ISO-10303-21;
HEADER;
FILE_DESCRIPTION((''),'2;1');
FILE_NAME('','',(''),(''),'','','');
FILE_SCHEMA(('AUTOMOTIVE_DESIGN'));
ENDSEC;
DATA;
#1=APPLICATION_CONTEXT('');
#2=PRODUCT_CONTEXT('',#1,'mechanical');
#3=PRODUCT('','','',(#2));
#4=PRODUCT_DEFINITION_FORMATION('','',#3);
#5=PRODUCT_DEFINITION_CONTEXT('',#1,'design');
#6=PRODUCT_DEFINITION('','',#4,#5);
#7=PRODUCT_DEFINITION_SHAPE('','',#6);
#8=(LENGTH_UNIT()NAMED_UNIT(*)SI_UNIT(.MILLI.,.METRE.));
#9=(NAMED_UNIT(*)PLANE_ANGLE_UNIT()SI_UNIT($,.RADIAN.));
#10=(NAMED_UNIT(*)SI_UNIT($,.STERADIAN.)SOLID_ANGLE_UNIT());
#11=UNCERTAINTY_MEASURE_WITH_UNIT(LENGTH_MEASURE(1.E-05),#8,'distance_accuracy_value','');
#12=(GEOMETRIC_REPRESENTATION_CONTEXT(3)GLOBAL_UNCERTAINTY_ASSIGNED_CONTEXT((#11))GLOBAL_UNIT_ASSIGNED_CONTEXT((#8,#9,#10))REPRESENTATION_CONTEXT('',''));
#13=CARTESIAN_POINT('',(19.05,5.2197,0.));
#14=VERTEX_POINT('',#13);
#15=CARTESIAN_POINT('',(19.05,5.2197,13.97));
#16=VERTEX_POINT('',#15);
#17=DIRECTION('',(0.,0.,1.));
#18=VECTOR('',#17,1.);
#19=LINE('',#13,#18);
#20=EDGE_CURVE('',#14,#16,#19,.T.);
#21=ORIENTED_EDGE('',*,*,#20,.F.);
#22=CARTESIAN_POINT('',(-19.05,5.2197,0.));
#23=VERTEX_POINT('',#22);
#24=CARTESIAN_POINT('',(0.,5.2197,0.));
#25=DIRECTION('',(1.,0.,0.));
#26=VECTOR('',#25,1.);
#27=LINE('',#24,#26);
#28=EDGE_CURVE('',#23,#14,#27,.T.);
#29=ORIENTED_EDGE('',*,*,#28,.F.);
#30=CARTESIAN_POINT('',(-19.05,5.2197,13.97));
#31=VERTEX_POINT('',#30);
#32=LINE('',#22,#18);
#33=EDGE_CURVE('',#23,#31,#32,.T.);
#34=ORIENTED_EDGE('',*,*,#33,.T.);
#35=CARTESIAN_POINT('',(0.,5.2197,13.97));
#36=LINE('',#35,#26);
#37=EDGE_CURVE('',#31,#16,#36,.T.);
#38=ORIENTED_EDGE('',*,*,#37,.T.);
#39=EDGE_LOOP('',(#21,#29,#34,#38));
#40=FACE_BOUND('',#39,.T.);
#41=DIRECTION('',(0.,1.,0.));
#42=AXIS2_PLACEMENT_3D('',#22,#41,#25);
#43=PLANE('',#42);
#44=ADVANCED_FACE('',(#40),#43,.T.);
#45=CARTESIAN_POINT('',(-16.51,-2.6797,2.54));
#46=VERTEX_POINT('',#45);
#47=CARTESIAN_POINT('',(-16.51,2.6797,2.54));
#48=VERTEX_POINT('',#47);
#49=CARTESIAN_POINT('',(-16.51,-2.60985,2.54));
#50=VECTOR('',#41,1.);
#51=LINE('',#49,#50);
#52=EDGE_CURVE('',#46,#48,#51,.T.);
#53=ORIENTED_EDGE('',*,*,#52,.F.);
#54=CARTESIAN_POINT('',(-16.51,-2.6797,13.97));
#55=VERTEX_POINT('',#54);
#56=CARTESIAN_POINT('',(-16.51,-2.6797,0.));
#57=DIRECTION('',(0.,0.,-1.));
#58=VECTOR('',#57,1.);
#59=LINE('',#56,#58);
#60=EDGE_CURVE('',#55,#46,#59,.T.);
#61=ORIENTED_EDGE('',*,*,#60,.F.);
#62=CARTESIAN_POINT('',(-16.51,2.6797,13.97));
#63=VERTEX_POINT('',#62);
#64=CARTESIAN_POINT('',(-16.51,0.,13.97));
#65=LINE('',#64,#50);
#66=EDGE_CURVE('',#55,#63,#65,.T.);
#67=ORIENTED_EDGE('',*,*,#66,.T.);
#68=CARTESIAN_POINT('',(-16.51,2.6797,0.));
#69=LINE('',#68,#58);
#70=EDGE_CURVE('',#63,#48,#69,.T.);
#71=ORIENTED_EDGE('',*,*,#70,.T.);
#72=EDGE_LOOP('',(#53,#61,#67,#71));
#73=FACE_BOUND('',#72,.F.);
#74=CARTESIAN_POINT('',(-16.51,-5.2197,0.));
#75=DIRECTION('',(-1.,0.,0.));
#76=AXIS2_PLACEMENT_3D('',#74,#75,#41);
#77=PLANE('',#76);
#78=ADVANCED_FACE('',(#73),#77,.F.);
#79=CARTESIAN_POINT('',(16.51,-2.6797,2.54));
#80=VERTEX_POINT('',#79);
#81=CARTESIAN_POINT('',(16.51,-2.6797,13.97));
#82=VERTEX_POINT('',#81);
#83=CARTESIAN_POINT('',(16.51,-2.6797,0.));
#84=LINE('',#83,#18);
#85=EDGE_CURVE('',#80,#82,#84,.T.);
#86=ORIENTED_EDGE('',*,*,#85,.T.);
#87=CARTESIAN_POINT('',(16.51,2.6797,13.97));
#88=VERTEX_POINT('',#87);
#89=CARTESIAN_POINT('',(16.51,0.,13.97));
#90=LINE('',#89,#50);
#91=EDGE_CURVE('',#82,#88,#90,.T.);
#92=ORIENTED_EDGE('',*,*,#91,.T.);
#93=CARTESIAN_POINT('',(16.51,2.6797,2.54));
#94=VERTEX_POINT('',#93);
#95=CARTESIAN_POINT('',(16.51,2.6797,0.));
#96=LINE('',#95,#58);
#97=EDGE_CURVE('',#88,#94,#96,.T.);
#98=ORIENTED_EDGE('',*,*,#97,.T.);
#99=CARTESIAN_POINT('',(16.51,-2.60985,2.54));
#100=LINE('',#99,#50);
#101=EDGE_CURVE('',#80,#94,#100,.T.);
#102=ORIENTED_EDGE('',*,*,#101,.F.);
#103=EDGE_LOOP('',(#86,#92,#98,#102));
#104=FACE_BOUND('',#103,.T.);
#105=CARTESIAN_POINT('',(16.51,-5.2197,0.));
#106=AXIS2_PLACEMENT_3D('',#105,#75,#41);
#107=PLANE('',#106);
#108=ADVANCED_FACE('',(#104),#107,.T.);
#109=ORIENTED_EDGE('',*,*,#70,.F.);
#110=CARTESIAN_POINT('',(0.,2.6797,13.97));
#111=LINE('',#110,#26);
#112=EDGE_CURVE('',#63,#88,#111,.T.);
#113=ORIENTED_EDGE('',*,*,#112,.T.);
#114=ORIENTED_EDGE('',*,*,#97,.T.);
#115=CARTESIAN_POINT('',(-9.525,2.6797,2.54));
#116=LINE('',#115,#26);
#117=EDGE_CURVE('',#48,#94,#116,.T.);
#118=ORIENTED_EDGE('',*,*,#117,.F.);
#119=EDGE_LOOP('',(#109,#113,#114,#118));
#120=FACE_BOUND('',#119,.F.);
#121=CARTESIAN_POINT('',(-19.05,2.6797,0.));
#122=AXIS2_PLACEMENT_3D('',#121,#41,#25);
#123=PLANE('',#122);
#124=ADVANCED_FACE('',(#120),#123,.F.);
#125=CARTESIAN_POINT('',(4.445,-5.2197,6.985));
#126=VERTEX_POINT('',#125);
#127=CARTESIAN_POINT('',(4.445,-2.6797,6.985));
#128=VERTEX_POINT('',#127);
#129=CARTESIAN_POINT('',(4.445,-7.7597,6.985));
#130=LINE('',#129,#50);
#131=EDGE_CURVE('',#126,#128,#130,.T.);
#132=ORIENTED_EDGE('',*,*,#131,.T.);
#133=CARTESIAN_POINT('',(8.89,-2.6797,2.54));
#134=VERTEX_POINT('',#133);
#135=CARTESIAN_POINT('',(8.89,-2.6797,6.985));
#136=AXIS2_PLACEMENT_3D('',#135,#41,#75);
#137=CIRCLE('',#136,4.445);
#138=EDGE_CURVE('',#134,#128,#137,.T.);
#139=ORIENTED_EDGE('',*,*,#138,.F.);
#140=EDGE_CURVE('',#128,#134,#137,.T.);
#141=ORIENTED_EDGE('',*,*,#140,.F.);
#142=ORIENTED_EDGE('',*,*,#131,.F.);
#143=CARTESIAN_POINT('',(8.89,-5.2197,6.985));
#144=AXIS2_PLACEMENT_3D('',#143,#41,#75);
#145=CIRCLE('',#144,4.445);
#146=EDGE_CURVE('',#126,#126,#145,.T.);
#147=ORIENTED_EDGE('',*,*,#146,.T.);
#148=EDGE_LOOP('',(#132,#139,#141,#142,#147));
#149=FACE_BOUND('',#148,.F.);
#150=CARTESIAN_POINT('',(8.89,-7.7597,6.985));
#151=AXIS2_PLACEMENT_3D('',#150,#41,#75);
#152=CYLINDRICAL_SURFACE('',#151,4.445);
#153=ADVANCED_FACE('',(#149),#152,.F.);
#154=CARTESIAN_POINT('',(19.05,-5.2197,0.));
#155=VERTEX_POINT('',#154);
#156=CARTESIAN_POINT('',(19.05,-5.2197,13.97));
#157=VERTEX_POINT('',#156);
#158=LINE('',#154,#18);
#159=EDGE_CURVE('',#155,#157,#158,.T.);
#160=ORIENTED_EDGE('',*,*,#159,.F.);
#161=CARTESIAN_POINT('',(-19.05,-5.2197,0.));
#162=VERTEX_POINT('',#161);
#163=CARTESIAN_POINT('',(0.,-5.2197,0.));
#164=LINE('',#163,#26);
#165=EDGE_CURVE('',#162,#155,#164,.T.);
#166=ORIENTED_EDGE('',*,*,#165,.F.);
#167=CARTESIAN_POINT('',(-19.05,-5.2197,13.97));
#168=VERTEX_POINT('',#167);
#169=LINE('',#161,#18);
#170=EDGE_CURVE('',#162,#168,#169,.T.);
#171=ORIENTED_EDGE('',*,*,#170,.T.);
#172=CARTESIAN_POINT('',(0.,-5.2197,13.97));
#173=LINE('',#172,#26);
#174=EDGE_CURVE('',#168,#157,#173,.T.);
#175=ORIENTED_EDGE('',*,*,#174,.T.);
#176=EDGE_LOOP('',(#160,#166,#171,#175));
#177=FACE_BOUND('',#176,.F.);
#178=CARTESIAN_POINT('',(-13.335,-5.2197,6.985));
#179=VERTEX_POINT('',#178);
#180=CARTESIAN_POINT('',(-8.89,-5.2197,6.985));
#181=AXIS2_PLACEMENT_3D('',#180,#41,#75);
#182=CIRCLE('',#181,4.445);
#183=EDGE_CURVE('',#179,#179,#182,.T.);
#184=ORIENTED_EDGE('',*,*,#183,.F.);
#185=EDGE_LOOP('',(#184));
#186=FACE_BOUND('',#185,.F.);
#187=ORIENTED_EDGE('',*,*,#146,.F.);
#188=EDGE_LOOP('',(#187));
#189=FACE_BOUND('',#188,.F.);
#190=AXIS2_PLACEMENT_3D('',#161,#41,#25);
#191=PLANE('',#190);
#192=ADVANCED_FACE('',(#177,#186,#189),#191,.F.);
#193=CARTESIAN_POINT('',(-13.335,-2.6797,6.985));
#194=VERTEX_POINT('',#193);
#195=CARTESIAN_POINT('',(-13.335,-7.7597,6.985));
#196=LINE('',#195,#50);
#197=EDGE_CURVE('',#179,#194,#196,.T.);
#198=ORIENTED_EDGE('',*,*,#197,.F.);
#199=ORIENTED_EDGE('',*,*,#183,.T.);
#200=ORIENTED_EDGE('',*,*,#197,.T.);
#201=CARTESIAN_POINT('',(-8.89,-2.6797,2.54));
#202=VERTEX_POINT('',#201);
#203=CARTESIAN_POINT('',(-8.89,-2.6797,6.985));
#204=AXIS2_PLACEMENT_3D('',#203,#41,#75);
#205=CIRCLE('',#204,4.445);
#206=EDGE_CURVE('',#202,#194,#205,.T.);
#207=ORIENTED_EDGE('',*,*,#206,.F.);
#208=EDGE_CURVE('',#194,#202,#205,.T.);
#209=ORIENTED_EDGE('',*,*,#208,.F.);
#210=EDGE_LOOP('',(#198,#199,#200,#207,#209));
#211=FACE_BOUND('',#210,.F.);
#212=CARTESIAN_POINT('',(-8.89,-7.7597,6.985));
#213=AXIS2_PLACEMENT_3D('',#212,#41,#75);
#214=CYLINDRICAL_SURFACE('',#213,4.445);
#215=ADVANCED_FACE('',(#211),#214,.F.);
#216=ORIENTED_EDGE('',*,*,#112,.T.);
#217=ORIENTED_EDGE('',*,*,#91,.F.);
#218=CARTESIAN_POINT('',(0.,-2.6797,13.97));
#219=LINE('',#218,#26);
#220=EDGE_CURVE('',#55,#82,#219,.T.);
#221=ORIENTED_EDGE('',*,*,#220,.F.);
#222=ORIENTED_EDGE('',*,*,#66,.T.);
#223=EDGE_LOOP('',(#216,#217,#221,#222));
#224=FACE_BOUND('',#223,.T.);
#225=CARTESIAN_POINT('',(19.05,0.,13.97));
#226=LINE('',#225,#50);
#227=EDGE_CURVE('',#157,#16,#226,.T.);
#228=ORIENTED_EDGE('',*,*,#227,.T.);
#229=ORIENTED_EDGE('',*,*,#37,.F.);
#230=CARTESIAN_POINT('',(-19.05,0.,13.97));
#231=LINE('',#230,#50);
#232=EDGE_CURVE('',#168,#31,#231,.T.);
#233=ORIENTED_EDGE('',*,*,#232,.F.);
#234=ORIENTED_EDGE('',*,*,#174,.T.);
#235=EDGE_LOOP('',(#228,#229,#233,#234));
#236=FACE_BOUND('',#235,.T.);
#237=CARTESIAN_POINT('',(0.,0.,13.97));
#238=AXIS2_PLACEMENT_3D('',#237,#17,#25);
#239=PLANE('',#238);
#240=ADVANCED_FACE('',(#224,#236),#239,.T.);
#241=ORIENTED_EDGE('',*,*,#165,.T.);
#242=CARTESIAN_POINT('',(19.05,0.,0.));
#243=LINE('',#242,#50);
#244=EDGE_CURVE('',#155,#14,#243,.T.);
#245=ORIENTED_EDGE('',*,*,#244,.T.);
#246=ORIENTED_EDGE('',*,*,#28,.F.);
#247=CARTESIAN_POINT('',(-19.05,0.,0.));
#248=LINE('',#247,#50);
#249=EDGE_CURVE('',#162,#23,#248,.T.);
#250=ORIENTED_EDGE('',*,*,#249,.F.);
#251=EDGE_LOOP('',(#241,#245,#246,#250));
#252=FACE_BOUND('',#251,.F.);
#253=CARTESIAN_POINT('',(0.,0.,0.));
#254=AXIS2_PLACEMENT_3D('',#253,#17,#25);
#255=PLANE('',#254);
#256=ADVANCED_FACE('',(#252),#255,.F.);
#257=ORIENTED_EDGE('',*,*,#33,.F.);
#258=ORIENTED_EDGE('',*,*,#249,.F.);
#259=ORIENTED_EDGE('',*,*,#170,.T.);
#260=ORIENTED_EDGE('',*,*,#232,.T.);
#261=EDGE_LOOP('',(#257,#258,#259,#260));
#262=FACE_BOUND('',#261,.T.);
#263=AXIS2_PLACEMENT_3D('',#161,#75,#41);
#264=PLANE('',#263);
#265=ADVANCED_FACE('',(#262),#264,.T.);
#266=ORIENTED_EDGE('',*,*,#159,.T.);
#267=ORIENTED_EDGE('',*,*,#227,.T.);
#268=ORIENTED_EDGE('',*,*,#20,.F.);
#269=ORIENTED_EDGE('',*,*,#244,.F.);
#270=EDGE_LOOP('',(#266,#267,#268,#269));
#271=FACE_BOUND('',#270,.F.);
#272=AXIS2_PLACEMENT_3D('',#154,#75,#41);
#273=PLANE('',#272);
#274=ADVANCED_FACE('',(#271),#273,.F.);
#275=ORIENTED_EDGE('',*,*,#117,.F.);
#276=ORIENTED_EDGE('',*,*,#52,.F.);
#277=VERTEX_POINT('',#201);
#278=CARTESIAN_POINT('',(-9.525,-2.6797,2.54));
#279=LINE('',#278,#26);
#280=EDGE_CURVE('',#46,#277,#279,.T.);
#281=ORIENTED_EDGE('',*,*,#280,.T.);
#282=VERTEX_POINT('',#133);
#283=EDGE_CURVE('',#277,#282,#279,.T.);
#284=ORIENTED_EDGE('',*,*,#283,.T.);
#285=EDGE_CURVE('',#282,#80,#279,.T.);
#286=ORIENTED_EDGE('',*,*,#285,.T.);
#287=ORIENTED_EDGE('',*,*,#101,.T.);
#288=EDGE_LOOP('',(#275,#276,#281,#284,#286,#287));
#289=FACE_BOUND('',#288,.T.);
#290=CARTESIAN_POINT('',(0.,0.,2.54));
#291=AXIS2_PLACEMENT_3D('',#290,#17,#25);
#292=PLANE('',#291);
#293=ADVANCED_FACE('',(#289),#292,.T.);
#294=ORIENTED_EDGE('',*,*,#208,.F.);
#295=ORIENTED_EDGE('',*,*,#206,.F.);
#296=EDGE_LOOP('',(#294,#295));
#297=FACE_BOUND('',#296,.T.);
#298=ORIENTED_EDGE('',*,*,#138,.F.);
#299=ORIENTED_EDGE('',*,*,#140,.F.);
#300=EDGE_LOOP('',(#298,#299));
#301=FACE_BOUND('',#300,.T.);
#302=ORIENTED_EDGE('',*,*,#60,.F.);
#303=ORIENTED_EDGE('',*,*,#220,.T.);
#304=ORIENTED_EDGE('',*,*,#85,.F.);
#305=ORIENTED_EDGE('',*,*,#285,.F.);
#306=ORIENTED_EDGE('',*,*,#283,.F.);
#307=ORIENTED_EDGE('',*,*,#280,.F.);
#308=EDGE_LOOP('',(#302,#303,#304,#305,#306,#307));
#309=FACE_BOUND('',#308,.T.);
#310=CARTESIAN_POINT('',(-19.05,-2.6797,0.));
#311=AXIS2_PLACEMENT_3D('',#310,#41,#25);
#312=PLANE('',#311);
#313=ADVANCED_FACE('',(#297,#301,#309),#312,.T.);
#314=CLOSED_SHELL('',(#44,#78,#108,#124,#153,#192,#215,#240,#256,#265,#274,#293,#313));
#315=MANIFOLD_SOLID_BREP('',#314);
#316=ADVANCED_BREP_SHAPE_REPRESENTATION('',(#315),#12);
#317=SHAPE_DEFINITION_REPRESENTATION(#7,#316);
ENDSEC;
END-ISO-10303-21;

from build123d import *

# Parameters (mm, degrees)
F0_W     = 38.1
F0_H     = 10.4394
F1_DEPTH = 13.97
F2_T     = -2.54
F4_D     = 8.89
F4_DEPTH = 2.54


with BuildPart() as f1:
    # F0 (on Top) → F1 (new body)
    with BuildSketch(Plane.XY):
        Rectangle(F0_W, F0_H)
    extrude(amount=F1_DEPTH)

    # F2
    f2_openings = [f1.faces().sort_by_distance(p)[0] for p in [
        (0, 0, 13.97),
    ]]
    offset(amount=F2_T, openings=f2_openings)

    # F4
    with Locations(Plane.XZ.offset(5.2197)):
        with Locations((-8.89, 6.985), (8.89, 6.985)):
            Hole(F4_D / 2, depth=F4_DEPTH)


solid = f1.part
